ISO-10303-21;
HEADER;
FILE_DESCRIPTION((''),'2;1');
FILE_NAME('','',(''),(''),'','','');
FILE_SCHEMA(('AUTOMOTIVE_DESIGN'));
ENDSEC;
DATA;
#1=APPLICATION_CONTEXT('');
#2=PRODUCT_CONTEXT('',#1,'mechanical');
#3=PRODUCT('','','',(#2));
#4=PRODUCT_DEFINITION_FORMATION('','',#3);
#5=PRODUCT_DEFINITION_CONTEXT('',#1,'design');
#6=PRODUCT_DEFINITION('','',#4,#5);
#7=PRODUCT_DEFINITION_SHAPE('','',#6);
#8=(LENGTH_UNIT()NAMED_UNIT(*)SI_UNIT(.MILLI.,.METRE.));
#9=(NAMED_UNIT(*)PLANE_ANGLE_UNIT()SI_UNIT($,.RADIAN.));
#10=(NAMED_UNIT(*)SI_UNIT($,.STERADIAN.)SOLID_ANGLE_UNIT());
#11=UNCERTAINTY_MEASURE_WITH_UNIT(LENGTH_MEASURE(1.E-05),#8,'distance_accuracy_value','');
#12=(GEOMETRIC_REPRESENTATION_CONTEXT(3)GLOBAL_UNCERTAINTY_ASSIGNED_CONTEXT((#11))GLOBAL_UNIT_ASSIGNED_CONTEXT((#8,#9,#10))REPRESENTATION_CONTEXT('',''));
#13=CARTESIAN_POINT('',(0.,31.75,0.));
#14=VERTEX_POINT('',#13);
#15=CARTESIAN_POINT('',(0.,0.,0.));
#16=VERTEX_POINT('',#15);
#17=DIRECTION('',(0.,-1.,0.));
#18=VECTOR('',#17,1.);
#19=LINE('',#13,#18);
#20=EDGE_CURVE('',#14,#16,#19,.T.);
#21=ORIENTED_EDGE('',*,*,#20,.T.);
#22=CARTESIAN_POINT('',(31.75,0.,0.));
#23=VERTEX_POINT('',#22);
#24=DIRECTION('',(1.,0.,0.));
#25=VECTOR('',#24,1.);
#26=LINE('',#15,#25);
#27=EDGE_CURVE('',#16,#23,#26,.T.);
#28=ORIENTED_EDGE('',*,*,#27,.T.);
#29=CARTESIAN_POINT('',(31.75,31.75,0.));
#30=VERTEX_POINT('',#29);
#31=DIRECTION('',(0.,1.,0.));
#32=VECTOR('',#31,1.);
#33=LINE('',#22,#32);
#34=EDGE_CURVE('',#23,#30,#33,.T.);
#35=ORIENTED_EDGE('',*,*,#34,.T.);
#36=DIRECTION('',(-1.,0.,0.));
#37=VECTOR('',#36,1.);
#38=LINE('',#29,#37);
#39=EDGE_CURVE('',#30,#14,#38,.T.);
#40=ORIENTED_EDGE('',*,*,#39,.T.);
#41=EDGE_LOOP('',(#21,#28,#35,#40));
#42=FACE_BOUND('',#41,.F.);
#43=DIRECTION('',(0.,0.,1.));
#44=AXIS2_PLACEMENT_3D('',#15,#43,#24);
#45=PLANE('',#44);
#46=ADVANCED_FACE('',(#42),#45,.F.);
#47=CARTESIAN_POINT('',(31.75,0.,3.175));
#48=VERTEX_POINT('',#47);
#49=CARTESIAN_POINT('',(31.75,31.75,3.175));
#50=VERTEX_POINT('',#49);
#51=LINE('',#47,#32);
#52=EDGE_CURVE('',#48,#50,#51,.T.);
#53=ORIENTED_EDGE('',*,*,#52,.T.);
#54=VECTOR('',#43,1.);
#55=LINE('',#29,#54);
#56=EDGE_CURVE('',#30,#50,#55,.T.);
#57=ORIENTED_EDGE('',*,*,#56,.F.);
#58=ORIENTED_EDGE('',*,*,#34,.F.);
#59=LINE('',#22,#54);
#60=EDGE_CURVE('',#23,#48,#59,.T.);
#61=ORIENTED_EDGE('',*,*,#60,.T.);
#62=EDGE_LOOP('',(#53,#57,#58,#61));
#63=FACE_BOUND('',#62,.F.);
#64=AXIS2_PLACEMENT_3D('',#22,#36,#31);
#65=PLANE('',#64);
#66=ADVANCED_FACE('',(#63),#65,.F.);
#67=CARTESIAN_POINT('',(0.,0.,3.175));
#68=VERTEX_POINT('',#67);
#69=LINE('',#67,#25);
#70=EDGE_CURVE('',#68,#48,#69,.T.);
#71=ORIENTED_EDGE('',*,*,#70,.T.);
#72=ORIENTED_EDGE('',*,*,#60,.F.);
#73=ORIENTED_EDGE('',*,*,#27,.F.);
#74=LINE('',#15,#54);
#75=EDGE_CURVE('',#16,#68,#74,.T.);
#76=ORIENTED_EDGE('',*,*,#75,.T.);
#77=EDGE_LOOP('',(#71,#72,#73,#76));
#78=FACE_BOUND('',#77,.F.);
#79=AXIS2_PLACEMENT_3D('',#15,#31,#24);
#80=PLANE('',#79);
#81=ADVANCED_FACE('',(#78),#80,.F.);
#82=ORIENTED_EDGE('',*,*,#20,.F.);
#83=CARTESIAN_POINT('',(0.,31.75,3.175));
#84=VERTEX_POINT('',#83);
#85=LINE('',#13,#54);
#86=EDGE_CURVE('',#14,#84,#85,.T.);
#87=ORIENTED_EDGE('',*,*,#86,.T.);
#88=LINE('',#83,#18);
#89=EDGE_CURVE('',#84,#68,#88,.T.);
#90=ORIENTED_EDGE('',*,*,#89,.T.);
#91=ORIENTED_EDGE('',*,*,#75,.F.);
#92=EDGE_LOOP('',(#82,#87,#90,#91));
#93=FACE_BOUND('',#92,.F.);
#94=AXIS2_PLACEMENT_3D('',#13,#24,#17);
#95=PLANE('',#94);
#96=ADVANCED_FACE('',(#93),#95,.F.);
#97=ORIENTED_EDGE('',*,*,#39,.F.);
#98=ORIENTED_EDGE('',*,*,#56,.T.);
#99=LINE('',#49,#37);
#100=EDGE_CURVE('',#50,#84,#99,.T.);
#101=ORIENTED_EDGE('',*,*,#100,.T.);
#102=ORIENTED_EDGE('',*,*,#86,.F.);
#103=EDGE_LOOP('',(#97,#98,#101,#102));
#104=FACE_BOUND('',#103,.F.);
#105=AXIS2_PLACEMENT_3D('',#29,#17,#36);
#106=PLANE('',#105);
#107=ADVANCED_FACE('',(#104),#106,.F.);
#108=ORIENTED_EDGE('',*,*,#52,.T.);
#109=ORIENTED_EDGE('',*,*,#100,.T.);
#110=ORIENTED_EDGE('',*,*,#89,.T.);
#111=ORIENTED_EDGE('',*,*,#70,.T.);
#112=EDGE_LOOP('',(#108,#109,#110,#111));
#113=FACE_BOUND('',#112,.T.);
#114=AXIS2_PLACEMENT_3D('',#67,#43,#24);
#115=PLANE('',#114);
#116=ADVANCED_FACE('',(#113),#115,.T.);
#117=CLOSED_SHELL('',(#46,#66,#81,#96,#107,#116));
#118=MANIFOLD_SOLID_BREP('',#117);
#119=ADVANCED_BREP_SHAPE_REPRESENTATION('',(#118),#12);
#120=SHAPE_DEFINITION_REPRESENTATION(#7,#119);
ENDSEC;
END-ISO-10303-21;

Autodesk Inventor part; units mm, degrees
ref_plane "YZ Plane" through (0, 0, 0) normal (1, 0, 0) x (0, 1, 0)
ref_plane "XZ Plane" through (0, 0, 0) normal (0, 1, 0) x (-1, 0, 0)
ref_plane "XY Plane" through (0, 0, 0) normal (0, 0, 1) x (1, 0, 0)
sketch "Sketch1" plane through (0, 0, 0) normal (0, 0, 1) x (1, 0, 0)
  line L0 (0, 0) -> (31.75, 0)
  line L1 (31.75, 0) -> (31.75, 31.75)
  line L2 (31.75, 31.75) -> (0, 31.75)
  line L3 (0, 31.75) -> (0, 0)
  dimension "d0" = 31.75
  dimension "d1" = 31.75
extrude "Extrusion1" add sketch "Sketch1" along normal blind 3.175
sketch "Sketch2" plane through (0, 0, 3.175) normal (0, 0, 1) x (1, 0, 0)
  line L0 (31.75, 0) -> (31.75, 31.75) projected
  line L1 (31.75, 31.75) -> (0, 31.75) projected
  point P0 (0, 0)
  point P1 (15.875, 15.875)
  point P2 (31.75, 15.875)
  point P3 (15.875, 31.75)
properties part number "White Piece"
